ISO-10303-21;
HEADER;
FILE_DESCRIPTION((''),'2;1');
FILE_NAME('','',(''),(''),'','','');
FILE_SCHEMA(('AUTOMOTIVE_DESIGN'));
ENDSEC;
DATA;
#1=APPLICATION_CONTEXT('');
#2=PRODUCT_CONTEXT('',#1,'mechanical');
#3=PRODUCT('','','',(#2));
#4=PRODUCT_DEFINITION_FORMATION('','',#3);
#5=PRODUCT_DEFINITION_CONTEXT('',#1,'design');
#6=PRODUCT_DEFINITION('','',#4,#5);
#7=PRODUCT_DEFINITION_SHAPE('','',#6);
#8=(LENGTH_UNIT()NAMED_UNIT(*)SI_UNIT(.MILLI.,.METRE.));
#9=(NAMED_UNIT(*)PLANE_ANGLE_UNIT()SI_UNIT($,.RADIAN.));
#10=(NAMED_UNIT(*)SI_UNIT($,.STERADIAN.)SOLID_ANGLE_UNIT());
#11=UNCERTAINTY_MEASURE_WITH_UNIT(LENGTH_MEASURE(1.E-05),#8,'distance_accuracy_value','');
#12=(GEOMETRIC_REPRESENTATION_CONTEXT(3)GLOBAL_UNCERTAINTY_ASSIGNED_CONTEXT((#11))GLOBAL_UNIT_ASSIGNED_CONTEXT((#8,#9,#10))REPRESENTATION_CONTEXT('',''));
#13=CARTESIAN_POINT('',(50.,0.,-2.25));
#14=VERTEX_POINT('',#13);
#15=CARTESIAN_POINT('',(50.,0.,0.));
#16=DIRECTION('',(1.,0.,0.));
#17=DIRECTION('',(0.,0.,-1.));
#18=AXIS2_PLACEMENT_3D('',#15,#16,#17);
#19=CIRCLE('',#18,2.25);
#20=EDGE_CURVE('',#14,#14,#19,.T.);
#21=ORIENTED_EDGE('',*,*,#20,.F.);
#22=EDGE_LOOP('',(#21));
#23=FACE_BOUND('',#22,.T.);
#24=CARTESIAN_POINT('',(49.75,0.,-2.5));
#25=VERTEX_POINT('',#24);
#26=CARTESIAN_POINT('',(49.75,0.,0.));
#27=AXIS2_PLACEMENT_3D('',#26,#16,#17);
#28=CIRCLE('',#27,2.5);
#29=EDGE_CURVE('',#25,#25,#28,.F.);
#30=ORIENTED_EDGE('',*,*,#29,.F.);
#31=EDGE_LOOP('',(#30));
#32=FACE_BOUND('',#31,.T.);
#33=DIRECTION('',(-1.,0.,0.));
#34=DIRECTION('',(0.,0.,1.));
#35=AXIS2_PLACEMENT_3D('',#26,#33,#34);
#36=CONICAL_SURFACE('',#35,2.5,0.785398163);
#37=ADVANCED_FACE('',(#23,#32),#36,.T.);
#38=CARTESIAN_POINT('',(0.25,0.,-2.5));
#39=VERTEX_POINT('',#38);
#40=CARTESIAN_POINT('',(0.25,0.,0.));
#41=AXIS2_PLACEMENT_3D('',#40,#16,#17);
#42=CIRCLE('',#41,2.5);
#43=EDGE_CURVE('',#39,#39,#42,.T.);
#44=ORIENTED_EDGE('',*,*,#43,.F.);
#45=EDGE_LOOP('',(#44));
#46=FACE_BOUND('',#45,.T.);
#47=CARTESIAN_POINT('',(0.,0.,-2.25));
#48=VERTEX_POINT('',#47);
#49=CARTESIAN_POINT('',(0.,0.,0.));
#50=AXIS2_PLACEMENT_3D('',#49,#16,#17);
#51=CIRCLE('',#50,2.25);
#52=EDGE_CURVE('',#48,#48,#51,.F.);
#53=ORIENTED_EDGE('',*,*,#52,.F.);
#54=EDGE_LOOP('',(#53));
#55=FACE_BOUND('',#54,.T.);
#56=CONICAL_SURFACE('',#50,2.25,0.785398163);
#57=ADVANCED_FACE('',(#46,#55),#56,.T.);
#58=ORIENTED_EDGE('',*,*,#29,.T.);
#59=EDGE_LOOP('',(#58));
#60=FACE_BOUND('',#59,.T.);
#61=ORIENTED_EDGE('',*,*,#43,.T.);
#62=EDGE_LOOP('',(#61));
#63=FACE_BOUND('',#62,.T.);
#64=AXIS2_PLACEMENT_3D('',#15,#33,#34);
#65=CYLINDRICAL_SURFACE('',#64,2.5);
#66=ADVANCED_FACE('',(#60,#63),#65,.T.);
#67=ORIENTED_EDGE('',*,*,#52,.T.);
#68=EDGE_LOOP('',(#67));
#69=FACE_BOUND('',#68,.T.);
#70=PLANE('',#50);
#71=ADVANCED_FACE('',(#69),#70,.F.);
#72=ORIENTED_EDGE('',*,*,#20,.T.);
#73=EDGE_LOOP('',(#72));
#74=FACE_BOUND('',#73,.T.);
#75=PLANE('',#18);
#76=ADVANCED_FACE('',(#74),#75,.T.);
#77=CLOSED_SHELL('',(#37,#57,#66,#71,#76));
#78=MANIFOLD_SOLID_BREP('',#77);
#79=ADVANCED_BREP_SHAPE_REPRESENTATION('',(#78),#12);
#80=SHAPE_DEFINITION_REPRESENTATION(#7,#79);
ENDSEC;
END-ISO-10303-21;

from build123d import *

# Parameters (mm, degrees)
SKETCH1_R           = 2.5
BOSS_EXTRUDE1_DEPTH = 50
CHAMFER1_SIZE       = 0.25


with BuildPart() as part:
    # Sketch1 → Boss-Extrude1 (new body)
    with BuildSketch(Plane(origin=(0, 0, 0), x_dir=(0, -1, 0), z_dir=(-1, 0, 0))):
        with Locations(Location((0, 0, 0), (0, 0, 270))):
            Circle(SKETCH1_R)
    extrude(amount=-BOSS_EXTRUDE1_DEPTH)

    # Chamfer1
    chamfer1_edges = [part.edges().sort_by_distance(p)[0] for p in [
        (0, 0, 2.5),
        (50, 0, 2.5),
    ]]
    chamfer(chamfer1_edges, length=CHAMFER1_SIZE)


solid = part.part
